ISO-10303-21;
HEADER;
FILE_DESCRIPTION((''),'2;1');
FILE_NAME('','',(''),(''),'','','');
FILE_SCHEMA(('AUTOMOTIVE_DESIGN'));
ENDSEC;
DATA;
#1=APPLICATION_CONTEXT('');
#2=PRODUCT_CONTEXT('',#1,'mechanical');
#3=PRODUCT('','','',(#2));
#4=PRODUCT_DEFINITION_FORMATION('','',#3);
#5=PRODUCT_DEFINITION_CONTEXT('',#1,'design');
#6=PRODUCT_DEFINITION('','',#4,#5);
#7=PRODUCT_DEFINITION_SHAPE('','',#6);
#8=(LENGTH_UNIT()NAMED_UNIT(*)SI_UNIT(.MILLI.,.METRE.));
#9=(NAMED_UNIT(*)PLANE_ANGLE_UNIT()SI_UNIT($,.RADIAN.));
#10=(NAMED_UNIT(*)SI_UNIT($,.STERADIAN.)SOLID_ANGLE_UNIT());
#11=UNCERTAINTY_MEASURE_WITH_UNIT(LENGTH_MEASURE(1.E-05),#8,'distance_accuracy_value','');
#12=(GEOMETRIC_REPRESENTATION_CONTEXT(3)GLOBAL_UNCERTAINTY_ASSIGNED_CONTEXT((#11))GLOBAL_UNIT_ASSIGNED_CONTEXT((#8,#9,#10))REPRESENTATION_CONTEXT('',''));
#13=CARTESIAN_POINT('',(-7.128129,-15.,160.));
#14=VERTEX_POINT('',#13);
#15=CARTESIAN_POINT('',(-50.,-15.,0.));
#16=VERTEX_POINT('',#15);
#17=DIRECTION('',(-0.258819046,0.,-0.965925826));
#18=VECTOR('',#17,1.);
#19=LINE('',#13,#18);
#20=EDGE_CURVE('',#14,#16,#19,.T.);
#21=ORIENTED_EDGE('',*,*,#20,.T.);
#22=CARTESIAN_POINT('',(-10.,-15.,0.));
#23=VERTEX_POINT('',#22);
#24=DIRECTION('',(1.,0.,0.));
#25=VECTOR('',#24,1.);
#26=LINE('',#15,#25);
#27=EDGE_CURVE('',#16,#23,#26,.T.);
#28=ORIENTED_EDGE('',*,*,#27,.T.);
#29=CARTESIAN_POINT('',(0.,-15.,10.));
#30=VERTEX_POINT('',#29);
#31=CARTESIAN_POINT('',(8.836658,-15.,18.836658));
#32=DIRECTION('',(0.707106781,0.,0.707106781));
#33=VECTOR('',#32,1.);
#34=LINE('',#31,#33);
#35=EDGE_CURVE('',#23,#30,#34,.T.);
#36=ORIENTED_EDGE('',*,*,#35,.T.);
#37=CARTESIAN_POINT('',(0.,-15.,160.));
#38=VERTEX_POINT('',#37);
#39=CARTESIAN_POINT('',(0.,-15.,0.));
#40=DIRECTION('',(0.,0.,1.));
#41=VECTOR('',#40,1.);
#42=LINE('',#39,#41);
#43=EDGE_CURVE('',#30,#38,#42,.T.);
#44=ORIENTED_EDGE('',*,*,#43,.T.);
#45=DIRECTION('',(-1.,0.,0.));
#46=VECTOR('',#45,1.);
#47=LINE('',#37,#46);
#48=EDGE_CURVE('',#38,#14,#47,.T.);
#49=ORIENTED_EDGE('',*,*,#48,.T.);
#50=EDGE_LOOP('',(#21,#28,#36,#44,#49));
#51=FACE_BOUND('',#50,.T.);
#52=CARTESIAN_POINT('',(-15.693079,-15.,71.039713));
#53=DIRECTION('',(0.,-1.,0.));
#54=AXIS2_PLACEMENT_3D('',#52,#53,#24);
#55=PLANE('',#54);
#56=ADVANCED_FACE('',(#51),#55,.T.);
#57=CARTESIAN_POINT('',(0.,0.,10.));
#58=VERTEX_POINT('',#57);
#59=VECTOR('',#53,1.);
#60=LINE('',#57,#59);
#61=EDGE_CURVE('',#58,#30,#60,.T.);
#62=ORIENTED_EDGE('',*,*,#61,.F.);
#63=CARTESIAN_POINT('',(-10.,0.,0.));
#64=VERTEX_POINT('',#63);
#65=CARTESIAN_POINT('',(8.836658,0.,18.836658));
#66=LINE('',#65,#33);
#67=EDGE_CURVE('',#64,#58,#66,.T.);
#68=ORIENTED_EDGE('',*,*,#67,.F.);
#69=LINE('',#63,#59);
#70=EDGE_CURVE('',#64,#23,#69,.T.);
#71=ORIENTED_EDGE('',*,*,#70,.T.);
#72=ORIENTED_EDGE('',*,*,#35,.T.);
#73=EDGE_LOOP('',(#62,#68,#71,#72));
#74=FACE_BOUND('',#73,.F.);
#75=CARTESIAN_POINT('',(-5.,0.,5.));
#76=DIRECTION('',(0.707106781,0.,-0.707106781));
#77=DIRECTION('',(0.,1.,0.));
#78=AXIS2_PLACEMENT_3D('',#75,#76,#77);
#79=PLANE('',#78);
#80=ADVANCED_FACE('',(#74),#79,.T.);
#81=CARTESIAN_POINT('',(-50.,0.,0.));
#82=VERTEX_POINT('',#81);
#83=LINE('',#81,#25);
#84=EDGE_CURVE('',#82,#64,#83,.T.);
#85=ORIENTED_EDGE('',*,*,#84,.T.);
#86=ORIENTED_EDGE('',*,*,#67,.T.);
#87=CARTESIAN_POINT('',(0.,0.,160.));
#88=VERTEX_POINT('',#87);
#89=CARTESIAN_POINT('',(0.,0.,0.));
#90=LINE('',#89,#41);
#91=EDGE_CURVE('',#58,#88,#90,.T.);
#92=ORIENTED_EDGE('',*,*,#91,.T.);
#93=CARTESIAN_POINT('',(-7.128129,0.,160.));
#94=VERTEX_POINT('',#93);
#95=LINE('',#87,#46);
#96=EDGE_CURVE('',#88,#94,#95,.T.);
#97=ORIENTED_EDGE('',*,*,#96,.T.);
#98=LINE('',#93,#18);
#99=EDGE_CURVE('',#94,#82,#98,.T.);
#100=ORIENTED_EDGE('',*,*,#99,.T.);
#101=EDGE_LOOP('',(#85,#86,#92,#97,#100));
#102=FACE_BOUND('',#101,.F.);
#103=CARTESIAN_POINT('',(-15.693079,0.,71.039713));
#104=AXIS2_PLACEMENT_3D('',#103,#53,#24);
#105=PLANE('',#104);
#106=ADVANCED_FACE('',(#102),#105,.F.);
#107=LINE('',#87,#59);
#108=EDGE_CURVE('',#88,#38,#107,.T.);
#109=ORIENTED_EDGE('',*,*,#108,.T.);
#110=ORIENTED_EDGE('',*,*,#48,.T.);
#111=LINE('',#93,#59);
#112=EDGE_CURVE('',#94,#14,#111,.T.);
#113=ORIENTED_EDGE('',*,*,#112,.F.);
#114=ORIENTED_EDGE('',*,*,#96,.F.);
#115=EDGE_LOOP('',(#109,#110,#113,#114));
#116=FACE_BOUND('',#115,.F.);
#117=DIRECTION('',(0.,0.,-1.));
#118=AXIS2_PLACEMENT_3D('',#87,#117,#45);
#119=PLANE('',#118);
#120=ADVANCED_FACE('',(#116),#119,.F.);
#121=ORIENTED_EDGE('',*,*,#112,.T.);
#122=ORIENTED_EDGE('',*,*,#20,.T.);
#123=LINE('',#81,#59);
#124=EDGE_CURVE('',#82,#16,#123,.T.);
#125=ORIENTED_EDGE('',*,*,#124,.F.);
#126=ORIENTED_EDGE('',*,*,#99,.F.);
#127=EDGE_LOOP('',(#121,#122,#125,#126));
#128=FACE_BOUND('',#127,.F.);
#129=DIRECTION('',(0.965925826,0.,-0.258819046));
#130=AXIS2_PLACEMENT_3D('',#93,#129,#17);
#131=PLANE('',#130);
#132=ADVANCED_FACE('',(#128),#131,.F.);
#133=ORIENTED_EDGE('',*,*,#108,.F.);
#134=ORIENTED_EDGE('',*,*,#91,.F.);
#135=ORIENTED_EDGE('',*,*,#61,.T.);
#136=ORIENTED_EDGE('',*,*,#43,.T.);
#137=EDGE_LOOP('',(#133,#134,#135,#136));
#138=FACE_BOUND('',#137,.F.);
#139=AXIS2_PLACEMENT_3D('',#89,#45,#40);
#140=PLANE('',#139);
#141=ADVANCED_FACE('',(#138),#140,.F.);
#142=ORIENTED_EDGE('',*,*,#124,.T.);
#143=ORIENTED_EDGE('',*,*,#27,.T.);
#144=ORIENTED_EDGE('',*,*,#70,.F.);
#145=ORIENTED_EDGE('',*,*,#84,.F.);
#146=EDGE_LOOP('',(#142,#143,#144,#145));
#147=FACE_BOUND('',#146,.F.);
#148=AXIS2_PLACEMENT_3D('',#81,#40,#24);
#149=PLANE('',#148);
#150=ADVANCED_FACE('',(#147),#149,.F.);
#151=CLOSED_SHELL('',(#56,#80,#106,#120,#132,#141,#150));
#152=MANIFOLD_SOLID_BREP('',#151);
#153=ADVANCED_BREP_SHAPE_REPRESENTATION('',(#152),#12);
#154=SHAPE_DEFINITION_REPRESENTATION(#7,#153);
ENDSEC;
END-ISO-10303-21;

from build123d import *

# Parameters (mm, degrees)
F1_DEPTH = 15
F2_SIZE2 = 10
F2_SIZE  = 10


with BuildPart() as f1:
    # F0 (on Front) → F1 (new body)
    with BuildSketch(Plane.XZ):
        Polygon((-50, 0), (0, 0), (0, 160), (-7.128129, 160), align=None)
    extrude(amount=F1_DEPTH)

    # F2
    f2_edges = [f1.edges().sort_by_distance(p)[0] for p in [
        (0, -7.5, 0),
    ]]
    chamfer(f2_edges, length=F2_SIZE, length2=F2_SIZE2)


solid = f1.part
